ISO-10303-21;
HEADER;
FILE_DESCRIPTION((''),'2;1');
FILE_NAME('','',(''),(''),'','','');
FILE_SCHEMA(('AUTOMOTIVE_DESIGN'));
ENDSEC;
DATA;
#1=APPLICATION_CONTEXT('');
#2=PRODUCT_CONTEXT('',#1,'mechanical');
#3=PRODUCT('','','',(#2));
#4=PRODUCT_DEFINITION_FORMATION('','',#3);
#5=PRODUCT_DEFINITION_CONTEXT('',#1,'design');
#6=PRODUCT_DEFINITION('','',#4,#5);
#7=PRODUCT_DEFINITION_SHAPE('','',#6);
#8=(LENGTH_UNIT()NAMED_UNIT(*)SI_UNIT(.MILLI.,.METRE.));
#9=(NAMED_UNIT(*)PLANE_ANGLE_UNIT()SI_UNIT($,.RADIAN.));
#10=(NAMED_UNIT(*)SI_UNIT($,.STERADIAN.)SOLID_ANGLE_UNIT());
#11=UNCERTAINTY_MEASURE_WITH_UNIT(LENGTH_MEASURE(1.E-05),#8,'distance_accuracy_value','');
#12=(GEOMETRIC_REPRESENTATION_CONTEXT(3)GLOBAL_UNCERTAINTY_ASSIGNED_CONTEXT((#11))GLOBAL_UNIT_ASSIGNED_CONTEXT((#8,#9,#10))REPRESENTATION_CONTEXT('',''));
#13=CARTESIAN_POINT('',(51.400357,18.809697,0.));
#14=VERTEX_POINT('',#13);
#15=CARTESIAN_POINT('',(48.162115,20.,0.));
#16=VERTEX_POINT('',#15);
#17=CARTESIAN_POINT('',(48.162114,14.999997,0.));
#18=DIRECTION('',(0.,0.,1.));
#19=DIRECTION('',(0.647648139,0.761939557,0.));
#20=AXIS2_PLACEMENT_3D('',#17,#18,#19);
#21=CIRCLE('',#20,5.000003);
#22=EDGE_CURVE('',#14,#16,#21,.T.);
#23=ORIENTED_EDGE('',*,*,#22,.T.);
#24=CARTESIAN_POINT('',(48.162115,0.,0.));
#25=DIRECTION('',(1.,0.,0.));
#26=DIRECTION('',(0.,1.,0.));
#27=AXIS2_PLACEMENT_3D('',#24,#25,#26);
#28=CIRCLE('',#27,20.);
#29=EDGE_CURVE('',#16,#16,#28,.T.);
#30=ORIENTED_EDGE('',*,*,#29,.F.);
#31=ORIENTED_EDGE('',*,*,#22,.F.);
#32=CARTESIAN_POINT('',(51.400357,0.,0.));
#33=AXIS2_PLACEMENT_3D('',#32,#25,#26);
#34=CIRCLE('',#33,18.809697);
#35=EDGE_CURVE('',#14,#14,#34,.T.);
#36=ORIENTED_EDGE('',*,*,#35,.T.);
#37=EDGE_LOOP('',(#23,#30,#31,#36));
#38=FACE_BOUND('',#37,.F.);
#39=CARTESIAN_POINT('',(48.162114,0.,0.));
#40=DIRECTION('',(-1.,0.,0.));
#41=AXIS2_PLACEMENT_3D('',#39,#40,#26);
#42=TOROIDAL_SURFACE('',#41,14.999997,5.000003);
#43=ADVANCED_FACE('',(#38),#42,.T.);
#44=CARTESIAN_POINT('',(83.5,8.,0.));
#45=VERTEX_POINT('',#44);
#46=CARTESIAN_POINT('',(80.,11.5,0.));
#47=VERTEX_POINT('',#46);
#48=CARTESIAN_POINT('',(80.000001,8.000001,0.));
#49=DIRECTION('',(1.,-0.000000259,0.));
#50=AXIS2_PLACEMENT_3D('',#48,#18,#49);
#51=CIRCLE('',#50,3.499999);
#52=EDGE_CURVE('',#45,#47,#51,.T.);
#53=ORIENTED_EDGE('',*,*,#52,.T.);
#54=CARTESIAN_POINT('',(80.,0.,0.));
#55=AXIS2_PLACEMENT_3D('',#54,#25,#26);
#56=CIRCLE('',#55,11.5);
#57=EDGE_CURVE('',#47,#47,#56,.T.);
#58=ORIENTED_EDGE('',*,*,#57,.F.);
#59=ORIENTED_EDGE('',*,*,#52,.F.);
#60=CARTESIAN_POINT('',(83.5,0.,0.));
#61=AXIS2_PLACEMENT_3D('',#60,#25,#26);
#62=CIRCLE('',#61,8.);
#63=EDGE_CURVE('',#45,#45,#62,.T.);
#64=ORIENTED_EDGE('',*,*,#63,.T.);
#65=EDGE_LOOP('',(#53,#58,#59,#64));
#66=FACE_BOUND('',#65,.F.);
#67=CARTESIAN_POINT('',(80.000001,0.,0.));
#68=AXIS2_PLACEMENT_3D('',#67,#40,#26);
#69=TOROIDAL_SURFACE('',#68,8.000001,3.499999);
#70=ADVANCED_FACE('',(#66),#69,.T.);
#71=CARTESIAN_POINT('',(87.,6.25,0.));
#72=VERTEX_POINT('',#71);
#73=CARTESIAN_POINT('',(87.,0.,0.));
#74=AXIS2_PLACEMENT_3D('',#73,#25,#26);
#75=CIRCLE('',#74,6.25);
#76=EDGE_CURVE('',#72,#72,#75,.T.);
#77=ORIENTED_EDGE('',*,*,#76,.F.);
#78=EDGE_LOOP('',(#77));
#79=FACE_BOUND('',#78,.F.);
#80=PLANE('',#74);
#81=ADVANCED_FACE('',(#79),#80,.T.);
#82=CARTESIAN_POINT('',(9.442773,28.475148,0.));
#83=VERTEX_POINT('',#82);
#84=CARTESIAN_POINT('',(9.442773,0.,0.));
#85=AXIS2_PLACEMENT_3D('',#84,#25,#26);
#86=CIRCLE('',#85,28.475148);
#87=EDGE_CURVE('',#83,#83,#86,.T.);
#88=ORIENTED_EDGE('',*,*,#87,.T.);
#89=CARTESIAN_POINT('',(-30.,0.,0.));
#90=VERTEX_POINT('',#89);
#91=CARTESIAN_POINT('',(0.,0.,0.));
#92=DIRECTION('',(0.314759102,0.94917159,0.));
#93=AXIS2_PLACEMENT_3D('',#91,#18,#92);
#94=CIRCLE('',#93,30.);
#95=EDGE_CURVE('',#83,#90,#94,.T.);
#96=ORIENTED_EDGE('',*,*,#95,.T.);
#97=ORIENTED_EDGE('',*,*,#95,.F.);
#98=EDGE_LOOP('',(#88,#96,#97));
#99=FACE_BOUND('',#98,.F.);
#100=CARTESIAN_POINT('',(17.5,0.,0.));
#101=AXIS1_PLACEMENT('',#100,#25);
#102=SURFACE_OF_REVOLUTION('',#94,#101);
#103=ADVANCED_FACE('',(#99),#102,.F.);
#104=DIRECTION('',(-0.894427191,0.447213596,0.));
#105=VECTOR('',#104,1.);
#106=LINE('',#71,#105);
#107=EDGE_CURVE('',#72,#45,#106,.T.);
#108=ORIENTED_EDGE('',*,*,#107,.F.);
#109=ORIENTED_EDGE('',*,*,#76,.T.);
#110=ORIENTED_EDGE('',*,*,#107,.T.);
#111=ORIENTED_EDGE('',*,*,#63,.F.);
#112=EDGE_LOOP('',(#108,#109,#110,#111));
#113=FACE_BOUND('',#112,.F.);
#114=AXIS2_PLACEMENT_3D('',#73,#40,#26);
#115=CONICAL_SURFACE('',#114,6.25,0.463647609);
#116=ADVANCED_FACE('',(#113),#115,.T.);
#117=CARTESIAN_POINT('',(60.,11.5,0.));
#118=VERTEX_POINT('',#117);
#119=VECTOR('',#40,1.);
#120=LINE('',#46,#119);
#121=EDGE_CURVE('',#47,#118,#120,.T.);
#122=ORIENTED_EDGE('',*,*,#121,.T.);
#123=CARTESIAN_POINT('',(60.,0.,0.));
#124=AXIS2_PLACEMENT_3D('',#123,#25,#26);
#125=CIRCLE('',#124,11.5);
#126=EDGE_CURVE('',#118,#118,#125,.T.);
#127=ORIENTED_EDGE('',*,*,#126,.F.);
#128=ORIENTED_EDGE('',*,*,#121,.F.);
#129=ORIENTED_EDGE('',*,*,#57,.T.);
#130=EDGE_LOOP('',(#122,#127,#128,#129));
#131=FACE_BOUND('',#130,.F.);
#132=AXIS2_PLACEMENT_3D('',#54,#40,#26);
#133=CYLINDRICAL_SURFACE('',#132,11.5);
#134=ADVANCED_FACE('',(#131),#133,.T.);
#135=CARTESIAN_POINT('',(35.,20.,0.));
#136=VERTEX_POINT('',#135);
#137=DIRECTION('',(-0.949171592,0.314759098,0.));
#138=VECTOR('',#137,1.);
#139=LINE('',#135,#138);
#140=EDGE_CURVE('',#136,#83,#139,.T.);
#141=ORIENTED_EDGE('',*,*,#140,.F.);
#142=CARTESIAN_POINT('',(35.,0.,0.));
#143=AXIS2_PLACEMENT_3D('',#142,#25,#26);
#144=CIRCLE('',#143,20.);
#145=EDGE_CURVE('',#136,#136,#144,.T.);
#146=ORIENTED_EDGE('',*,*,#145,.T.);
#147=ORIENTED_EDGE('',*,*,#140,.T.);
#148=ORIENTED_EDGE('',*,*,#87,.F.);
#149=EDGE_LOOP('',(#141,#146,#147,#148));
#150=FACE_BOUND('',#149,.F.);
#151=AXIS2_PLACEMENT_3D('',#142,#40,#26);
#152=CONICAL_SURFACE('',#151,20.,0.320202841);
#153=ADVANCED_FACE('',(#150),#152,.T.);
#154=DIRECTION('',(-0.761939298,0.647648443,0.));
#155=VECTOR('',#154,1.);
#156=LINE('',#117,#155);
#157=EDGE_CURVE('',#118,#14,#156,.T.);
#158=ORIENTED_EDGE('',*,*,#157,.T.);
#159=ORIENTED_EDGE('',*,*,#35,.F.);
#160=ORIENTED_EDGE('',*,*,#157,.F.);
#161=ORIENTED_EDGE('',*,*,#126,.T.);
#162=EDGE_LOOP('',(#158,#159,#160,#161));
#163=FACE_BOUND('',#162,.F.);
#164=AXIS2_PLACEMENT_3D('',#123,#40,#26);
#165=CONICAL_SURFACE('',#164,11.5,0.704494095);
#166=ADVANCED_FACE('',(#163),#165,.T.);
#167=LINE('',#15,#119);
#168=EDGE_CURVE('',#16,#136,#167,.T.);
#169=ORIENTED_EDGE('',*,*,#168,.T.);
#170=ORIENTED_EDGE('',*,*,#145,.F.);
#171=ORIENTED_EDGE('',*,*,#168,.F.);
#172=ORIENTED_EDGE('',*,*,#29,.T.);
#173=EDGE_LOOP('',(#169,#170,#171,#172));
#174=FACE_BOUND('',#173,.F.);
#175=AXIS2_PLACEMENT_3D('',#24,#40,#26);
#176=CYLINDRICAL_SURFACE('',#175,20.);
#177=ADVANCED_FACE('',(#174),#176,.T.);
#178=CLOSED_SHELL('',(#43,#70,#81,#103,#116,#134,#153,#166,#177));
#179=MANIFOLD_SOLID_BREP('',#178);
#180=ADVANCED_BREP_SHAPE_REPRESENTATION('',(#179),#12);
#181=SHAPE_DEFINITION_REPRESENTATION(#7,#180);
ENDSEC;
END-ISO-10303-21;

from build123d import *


with BuildPart() as f1:
    # F0 (on Top) → F1 (revolve)
    with BuildSketch(Plane.XY):
        with BuildLine():
            Line((48.162115, 20), (35, 20))
            Line((35, 20), (9.442773, 28.475148))
            ThreePointArc((9.442773, 28.475148), (-17.560137, 24.323684), (-30, 0))
            Line((-30, 0), (87, 0))
            Line((87, 0), (87, 6.25))
            Line((87, 6.25), (83.5, 8))
            ThreePointArc((83.5, 8), (82.474874, 10.474874), (80, 11.5))
            Line((80, 11.5), (60, 11.5))
            Line((60, 11.5), (51.400357, 18.809697))
            ThreePointArc((51.400357, 18.809697), (49.887154, 19.692999), (48.162115, 20))
        make_face()
    revolve(axis=Axis((17.5, 0, 0), (1, 0, 0)))


solid = f1.part
